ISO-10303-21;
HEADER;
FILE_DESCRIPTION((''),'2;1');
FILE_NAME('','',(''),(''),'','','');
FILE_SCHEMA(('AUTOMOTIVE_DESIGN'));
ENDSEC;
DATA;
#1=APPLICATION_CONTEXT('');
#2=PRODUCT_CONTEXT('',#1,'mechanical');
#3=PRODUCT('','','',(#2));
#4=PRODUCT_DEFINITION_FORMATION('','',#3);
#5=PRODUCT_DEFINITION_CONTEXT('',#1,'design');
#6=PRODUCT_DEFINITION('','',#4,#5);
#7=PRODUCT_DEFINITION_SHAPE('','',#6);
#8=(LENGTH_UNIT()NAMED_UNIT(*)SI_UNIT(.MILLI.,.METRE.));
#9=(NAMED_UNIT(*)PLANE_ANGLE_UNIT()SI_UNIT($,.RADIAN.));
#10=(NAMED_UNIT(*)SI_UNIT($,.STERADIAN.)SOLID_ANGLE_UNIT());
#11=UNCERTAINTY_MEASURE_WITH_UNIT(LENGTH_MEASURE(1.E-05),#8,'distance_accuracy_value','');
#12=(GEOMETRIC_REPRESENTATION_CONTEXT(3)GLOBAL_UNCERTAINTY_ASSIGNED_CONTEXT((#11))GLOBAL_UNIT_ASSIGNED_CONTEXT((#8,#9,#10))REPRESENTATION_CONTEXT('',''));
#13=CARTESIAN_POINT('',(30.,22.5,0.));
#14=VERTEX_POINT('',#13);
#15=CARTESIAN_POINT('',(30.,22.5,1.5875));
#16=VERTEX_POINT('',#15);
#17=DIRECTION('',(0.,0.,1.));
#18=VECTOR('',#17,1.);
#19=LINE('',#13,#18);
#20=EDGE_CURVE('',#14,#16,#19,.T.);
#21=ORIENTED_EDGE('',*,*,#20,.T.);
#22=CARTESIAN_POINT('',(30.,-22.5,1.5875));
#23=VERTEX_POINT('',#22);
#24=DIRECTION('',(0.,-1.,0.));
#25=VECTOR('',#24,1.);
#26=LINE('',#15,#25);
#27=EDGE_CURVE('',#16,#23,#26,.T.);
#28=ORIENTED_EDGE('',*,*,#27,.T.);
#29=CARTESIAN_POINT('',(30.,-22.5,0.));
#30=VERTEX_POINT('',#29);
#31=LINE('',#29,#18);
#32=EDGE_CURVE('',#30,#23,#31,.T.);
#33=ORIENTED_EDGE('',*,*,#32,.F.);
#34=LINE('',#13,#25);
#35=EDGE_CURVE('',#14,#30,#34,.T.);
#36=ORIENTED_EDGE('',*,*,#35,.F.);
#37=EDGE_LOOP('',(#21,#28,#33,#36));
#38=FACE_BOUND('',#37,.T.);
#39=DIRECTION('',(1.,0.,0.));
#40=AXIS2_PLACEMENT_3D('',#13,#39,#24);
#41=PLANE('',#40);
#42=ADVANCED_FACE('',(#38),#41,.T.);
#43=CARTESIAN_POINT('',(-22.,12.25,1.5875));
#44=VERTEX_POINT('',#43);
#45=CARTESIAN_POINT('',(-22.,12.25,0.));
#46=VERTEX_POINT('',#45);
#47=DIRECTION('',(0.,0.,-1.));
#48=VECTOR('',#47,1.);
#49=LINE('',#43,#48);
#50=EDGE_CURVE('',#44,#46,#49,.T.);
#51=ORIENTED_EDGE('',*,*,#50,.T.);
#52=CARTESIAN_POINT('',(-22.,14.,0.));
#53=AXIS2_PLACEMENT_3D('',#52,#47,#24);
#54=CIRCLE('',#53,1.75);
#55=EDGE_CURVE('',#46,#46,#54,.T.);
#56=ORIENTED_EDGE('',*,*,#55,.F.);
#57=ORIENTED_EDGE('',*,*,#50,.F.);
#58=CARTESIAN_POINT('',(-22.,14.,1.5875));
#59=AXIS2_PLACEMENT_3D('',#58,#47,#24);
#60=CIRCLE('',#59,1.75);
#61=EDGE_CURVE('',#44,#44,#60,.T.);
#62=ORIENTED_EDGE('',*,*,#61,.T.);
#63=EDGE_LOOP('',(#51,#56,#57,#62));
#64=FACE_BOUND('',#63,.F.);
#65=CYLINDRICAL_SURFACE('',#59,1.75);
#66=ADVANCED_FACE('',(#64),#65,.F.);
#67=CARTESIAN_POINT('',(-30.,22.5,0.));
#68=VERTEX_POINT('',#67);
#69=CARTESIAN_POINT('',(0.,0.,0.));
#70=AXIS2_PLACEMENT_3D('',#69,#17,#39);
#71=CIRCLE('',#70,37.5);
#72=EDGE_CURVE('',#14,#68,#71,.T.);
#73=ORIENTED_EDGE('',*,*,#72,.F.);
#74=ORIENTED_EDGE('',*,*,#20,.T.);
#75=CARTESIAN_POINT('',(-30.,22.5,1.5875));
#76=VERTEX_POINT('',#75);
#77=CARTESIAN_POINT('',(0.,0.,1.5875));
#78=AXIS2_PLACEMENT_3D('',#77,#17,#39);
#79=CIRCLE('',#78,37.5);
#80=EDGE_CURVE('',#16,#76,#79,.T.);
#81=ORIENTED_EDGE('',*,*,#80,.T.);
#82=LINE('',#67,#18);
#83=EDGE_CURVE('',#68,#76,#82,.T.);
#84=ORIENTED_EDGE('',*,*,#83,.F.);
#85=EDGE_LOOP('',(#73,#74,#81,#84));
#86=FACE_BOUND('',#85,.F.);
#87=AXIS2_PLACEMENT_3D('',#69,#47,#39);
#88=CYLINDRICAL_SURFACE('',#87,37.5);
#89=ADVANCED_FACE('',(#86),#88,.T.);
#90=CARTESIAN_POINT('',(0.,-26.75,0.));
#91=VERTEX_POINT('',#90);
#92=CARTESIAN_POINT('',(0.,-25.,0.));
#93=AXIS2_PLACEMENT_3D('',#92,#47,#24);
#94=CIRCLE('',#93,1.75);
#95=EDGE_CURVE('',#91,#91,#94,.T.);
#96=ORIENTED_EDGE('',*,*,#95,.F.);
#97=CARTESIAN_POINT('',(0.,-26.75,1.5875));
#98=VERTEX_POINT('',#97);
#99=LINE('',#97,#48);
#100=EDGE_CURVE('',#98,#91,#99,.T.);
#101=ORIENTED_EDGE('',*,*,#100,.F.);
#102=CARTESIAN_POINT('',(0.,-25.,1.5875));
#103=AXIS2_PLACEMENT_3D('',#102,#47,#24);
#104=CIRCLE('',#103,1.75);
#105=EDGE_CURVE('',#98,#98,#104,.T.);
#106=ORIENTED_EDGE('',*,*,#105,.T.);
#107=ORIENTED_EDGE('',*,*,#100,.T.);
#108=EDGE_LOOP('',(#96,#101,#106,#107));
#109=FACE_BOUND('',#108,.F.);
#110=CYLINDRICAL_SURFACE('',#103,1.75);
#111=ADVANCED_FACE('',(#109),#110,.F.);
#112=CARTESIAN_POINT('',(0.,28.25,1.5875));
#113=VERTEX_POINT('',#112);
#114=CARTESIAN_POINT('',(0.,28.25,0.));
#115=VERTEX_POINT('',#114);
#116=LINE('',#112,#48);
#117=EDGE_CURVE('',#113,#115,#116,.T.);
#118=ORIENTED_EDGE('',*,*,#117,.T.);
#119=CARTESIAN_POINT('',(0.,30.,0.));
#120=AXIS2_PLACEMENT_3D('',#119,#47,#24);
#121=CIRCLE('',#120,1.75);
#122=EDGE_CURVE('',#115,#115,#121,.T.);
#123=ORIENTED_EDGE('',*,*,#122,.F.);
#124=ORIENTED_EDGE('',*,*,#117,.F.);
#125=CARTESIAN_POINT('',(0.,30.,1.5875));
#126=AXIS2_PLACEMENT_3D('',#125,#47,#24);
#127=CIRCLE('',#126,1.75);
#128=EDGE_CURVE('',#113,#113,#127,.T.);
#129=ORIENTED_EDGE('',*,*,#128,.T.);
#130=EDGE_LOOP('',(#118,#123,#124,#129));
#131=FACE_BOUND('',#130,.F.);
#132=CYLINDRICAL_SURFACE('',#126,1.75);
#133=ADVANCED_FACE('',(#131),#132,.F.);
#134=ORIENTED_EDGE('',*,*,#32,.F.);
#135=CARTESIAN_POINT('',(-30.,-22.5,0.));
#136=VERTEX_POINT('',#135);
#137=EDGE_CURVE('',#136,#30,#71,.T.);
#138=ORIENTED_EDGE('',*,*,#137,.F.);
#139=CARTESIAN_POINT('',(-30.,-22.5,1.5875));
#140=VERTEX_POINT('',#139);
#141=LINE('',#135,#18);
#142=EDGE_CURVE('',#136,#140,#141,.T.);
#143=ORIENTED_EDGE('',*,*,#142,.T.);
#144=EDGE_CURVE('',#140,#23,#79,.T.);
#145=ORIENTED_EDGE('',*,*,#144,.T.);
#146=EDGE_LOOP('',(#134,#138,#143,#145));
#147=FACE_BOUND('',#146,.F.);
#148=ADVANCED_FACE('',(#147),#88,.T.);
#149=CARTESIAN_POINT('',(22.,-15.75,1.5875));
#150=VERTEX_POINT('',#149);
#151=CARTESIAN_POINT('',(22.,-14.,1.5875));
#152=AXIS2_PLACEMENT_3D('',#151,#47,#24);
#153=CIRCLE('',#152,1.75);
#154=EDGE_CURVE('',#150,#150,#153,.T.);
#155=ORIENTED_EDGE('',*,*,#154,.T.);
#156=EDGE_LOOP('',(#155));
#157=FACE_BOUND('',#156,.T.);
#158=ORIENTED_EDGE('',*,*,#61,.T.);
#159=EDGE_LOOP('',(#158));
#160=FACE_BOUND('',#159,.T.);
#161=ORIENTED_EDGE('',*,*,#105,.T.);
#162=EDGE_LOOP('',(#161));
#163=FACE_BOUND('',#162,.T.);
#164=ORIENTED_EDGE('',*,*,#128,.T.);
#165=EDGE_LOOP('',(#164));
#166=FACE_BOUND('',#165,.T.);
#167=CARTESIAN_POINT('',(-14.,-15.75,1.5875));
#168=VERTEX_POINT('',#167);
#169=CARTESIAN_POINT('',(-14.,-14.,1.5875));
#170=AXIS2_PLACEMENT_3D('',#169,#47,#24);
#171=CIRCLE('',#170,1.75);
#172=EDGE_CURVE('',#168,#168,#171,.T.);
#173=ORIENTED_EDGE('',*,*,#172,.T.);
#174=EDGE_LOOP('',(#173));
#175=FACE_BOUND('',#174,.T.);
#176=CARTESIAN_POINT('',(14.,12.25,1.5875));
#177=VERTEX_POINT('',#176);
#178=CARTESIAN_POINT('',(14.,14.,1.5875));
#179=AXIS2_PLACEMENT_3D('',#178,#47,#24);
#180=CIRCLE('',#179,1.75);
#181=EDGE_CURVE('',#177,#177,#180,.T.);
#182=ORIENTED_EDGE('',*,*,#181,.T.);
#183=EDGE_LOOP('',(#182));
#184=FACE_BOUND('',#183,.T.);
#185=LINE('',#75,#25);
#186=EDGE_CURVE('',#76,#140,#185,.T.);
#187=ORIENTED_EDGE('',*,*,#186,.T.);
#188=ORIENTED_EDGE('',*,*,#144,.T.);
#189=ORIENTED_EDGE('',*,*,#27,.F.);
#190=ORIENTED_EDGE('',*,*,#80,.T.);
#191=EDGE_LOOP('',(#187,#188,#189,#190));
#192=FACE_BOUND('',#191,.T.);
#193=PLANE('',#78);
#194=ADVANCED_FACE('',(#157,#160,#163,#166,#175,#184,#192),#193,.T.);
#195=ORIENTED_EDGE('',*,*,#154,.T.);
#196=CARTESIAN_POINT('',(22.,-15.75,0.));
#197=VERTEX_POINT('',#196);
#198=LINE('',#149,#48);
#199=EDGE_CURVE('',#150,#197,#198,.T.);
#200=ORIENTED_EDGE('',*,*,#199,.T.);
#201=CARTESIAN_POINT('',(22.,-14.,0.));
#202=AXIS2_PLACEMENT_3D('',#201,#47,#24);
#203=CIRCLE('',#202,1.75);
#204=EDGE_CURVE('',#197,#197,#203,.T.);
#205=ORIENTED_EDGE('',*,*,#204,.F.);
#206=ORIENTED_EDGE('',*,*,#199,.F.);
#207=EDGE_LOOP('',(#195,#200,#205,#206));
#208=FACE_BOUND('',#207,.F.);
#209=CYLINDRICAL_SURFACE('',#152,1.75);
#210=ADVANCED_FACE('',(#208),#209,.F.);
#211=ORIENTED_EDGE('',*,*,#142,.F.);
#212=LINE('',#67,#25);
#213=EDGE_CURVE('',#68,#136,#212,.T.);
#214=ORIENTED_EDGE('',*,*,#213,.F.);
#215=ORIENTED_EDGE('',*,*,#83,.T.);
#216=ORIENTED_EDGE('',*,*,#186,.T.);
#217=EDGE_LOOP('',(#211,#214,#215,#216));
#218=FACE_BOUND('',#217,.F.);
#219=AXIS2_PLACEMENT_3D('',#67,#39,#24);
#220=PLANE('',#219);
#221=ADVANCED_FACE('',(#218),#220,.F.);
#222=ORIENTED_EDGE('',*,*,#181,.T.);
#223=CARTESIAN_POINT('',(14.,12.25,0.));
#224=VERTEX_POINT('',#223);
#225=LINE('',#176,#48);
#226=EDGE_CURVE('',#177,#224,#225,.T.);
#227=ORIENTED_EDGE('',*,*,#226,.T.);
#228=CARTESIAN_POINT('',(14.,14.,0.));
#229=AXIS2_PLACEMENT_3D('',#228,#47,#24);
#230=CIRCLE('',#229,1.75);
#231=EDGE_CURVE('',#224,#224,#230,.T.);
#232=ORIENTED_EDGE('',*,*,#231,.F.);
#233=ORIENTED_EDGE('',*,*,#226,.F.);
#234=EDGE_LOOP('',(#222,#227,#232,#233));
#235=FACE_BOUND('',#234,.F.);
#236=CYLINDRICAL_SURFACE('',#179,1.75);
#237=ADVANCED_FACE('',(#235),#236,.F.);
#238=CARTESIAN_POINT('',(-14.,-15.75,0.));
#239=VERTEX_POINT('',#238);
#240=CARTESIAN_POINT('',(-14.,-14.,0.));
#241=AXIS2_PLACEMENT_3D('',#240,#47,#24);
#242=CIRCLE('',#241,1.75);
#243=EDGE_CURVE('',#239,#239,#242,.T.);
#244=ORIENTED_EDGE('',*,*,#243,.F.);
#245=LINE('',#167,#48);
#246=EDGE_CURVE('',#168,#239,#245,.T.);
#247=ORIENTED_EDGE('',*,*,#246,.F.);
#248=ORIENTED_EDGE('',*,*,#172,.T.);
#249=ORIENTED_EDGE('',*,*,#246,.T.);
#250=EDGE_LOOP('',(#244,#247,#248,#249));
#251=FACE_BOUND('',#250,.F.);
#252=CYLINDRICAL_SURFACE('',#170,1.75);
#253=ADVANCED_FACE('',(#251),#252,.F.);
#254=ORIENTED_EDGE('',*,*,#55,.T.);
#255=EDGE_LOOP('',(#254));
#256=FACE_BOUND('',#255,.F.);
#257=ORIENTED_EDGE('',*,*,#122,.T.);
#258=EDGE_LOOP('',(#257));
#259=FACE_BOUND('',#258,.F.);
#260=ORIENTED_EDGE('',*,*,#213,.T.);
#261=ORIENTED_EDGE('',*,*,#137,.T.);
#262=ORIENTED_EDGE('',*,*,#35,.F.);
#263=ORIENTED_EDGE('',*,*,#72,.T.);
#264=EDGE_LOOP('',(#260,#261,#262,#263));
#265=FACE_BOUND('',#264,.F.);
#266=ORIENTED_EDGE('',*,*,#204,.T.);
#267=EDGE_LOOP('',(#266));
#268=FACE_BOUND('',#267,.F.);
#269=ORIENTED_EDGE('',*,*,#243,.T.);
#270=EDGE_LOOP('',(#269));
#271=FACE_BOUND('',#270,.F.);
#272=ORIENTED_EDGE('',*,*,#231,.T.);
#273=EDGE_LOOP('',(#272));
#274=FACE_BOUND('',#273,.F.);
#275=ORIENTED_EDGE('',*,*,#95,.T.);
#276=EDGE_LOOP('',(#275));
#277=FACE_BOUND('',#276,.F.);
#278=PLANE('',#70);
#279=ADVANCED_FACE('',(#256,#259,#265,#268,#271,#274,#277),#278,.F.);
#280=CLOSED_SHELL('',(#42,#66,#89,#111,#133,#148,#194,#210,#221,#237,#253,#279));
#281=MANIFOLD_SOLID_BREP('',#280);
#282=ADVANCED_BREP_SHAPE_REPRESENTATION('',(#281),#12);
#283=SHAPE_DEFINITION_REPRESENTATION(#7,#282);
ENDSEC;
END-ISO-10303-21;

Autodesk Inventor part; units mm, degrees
ref_plane "YZ Plane" through (0, 0, 0) normal (1, 0, 0) x (0, 1, 0)
ref_plane "XZ Plane" through (0, 0, 0) normal (0, 1, 0) x (-1, 0, 0)
ref_plane "XY Plane" through (0, 0, 0) normal (0, 0, 1) x (1, 0, 0)
sketch "Sketch1" plane through (0, 0, 0) normal (0, 0, 1) x (1, 0, 0)
  circle A0 centre (0, 0) radius 37.5
  line L0 (-30, 22.5) -> (-30, -22.5)
  line L1 (30, 22.5) -> (30, -22.5)
  dimension "d0" = 75
  dimension "d20" = 45
extrude "Extrusion1" add sketch "Sketch1" along normal blind 1.5875 contours L1 A0 L0
sketch "Sketch2" plane through (0, 0, 1.5875) normal (0, 0, 1) x (1, 0, 0)
  circle A0 centre (-14, -14) radius 1.75
  line L0 (30, -22.5) -> (30, 22.5) projected
  line L1 (-30, 22.5) -> (-30, -22.5) projected
  point P0 (0, 0)
  point P1 (22, -14)
  point P2 (14, 14)
  point P3 (-22, 14)
  point P4 (0, -25)
  point P5 (0, 30)
  dimension "d11" = 8
  dimension "d15" = 16
  dimension "d21" = 16
  dimension "d24" = 8
  dimension "d26" = 28
  dimension "d27" = 28
  dimension "d28" = 14
  dimension "d29" = 14
  dimension "d30" = 25
  dimension "d31" = 30
hole "Hole1" at (22, -14, 1.5875) at (14, 14, 1.5875) at (-14, -14, 1.5875) at (-22, 14, 1.5875) at (0, -25, 1.5875) at (0, 30, 1.5875) direction (0, 0, -1) diameter 3.5 end through all
equation "\"d15\" = d21"
equation "\"d24\" = d11"
equation "\"d27\" = d26"
equation "\"d28\" = 0.5 * d27"
equation "\"d29\" = 0.5 * d26"
properties part number "PCB_PLACEHOLDER"
